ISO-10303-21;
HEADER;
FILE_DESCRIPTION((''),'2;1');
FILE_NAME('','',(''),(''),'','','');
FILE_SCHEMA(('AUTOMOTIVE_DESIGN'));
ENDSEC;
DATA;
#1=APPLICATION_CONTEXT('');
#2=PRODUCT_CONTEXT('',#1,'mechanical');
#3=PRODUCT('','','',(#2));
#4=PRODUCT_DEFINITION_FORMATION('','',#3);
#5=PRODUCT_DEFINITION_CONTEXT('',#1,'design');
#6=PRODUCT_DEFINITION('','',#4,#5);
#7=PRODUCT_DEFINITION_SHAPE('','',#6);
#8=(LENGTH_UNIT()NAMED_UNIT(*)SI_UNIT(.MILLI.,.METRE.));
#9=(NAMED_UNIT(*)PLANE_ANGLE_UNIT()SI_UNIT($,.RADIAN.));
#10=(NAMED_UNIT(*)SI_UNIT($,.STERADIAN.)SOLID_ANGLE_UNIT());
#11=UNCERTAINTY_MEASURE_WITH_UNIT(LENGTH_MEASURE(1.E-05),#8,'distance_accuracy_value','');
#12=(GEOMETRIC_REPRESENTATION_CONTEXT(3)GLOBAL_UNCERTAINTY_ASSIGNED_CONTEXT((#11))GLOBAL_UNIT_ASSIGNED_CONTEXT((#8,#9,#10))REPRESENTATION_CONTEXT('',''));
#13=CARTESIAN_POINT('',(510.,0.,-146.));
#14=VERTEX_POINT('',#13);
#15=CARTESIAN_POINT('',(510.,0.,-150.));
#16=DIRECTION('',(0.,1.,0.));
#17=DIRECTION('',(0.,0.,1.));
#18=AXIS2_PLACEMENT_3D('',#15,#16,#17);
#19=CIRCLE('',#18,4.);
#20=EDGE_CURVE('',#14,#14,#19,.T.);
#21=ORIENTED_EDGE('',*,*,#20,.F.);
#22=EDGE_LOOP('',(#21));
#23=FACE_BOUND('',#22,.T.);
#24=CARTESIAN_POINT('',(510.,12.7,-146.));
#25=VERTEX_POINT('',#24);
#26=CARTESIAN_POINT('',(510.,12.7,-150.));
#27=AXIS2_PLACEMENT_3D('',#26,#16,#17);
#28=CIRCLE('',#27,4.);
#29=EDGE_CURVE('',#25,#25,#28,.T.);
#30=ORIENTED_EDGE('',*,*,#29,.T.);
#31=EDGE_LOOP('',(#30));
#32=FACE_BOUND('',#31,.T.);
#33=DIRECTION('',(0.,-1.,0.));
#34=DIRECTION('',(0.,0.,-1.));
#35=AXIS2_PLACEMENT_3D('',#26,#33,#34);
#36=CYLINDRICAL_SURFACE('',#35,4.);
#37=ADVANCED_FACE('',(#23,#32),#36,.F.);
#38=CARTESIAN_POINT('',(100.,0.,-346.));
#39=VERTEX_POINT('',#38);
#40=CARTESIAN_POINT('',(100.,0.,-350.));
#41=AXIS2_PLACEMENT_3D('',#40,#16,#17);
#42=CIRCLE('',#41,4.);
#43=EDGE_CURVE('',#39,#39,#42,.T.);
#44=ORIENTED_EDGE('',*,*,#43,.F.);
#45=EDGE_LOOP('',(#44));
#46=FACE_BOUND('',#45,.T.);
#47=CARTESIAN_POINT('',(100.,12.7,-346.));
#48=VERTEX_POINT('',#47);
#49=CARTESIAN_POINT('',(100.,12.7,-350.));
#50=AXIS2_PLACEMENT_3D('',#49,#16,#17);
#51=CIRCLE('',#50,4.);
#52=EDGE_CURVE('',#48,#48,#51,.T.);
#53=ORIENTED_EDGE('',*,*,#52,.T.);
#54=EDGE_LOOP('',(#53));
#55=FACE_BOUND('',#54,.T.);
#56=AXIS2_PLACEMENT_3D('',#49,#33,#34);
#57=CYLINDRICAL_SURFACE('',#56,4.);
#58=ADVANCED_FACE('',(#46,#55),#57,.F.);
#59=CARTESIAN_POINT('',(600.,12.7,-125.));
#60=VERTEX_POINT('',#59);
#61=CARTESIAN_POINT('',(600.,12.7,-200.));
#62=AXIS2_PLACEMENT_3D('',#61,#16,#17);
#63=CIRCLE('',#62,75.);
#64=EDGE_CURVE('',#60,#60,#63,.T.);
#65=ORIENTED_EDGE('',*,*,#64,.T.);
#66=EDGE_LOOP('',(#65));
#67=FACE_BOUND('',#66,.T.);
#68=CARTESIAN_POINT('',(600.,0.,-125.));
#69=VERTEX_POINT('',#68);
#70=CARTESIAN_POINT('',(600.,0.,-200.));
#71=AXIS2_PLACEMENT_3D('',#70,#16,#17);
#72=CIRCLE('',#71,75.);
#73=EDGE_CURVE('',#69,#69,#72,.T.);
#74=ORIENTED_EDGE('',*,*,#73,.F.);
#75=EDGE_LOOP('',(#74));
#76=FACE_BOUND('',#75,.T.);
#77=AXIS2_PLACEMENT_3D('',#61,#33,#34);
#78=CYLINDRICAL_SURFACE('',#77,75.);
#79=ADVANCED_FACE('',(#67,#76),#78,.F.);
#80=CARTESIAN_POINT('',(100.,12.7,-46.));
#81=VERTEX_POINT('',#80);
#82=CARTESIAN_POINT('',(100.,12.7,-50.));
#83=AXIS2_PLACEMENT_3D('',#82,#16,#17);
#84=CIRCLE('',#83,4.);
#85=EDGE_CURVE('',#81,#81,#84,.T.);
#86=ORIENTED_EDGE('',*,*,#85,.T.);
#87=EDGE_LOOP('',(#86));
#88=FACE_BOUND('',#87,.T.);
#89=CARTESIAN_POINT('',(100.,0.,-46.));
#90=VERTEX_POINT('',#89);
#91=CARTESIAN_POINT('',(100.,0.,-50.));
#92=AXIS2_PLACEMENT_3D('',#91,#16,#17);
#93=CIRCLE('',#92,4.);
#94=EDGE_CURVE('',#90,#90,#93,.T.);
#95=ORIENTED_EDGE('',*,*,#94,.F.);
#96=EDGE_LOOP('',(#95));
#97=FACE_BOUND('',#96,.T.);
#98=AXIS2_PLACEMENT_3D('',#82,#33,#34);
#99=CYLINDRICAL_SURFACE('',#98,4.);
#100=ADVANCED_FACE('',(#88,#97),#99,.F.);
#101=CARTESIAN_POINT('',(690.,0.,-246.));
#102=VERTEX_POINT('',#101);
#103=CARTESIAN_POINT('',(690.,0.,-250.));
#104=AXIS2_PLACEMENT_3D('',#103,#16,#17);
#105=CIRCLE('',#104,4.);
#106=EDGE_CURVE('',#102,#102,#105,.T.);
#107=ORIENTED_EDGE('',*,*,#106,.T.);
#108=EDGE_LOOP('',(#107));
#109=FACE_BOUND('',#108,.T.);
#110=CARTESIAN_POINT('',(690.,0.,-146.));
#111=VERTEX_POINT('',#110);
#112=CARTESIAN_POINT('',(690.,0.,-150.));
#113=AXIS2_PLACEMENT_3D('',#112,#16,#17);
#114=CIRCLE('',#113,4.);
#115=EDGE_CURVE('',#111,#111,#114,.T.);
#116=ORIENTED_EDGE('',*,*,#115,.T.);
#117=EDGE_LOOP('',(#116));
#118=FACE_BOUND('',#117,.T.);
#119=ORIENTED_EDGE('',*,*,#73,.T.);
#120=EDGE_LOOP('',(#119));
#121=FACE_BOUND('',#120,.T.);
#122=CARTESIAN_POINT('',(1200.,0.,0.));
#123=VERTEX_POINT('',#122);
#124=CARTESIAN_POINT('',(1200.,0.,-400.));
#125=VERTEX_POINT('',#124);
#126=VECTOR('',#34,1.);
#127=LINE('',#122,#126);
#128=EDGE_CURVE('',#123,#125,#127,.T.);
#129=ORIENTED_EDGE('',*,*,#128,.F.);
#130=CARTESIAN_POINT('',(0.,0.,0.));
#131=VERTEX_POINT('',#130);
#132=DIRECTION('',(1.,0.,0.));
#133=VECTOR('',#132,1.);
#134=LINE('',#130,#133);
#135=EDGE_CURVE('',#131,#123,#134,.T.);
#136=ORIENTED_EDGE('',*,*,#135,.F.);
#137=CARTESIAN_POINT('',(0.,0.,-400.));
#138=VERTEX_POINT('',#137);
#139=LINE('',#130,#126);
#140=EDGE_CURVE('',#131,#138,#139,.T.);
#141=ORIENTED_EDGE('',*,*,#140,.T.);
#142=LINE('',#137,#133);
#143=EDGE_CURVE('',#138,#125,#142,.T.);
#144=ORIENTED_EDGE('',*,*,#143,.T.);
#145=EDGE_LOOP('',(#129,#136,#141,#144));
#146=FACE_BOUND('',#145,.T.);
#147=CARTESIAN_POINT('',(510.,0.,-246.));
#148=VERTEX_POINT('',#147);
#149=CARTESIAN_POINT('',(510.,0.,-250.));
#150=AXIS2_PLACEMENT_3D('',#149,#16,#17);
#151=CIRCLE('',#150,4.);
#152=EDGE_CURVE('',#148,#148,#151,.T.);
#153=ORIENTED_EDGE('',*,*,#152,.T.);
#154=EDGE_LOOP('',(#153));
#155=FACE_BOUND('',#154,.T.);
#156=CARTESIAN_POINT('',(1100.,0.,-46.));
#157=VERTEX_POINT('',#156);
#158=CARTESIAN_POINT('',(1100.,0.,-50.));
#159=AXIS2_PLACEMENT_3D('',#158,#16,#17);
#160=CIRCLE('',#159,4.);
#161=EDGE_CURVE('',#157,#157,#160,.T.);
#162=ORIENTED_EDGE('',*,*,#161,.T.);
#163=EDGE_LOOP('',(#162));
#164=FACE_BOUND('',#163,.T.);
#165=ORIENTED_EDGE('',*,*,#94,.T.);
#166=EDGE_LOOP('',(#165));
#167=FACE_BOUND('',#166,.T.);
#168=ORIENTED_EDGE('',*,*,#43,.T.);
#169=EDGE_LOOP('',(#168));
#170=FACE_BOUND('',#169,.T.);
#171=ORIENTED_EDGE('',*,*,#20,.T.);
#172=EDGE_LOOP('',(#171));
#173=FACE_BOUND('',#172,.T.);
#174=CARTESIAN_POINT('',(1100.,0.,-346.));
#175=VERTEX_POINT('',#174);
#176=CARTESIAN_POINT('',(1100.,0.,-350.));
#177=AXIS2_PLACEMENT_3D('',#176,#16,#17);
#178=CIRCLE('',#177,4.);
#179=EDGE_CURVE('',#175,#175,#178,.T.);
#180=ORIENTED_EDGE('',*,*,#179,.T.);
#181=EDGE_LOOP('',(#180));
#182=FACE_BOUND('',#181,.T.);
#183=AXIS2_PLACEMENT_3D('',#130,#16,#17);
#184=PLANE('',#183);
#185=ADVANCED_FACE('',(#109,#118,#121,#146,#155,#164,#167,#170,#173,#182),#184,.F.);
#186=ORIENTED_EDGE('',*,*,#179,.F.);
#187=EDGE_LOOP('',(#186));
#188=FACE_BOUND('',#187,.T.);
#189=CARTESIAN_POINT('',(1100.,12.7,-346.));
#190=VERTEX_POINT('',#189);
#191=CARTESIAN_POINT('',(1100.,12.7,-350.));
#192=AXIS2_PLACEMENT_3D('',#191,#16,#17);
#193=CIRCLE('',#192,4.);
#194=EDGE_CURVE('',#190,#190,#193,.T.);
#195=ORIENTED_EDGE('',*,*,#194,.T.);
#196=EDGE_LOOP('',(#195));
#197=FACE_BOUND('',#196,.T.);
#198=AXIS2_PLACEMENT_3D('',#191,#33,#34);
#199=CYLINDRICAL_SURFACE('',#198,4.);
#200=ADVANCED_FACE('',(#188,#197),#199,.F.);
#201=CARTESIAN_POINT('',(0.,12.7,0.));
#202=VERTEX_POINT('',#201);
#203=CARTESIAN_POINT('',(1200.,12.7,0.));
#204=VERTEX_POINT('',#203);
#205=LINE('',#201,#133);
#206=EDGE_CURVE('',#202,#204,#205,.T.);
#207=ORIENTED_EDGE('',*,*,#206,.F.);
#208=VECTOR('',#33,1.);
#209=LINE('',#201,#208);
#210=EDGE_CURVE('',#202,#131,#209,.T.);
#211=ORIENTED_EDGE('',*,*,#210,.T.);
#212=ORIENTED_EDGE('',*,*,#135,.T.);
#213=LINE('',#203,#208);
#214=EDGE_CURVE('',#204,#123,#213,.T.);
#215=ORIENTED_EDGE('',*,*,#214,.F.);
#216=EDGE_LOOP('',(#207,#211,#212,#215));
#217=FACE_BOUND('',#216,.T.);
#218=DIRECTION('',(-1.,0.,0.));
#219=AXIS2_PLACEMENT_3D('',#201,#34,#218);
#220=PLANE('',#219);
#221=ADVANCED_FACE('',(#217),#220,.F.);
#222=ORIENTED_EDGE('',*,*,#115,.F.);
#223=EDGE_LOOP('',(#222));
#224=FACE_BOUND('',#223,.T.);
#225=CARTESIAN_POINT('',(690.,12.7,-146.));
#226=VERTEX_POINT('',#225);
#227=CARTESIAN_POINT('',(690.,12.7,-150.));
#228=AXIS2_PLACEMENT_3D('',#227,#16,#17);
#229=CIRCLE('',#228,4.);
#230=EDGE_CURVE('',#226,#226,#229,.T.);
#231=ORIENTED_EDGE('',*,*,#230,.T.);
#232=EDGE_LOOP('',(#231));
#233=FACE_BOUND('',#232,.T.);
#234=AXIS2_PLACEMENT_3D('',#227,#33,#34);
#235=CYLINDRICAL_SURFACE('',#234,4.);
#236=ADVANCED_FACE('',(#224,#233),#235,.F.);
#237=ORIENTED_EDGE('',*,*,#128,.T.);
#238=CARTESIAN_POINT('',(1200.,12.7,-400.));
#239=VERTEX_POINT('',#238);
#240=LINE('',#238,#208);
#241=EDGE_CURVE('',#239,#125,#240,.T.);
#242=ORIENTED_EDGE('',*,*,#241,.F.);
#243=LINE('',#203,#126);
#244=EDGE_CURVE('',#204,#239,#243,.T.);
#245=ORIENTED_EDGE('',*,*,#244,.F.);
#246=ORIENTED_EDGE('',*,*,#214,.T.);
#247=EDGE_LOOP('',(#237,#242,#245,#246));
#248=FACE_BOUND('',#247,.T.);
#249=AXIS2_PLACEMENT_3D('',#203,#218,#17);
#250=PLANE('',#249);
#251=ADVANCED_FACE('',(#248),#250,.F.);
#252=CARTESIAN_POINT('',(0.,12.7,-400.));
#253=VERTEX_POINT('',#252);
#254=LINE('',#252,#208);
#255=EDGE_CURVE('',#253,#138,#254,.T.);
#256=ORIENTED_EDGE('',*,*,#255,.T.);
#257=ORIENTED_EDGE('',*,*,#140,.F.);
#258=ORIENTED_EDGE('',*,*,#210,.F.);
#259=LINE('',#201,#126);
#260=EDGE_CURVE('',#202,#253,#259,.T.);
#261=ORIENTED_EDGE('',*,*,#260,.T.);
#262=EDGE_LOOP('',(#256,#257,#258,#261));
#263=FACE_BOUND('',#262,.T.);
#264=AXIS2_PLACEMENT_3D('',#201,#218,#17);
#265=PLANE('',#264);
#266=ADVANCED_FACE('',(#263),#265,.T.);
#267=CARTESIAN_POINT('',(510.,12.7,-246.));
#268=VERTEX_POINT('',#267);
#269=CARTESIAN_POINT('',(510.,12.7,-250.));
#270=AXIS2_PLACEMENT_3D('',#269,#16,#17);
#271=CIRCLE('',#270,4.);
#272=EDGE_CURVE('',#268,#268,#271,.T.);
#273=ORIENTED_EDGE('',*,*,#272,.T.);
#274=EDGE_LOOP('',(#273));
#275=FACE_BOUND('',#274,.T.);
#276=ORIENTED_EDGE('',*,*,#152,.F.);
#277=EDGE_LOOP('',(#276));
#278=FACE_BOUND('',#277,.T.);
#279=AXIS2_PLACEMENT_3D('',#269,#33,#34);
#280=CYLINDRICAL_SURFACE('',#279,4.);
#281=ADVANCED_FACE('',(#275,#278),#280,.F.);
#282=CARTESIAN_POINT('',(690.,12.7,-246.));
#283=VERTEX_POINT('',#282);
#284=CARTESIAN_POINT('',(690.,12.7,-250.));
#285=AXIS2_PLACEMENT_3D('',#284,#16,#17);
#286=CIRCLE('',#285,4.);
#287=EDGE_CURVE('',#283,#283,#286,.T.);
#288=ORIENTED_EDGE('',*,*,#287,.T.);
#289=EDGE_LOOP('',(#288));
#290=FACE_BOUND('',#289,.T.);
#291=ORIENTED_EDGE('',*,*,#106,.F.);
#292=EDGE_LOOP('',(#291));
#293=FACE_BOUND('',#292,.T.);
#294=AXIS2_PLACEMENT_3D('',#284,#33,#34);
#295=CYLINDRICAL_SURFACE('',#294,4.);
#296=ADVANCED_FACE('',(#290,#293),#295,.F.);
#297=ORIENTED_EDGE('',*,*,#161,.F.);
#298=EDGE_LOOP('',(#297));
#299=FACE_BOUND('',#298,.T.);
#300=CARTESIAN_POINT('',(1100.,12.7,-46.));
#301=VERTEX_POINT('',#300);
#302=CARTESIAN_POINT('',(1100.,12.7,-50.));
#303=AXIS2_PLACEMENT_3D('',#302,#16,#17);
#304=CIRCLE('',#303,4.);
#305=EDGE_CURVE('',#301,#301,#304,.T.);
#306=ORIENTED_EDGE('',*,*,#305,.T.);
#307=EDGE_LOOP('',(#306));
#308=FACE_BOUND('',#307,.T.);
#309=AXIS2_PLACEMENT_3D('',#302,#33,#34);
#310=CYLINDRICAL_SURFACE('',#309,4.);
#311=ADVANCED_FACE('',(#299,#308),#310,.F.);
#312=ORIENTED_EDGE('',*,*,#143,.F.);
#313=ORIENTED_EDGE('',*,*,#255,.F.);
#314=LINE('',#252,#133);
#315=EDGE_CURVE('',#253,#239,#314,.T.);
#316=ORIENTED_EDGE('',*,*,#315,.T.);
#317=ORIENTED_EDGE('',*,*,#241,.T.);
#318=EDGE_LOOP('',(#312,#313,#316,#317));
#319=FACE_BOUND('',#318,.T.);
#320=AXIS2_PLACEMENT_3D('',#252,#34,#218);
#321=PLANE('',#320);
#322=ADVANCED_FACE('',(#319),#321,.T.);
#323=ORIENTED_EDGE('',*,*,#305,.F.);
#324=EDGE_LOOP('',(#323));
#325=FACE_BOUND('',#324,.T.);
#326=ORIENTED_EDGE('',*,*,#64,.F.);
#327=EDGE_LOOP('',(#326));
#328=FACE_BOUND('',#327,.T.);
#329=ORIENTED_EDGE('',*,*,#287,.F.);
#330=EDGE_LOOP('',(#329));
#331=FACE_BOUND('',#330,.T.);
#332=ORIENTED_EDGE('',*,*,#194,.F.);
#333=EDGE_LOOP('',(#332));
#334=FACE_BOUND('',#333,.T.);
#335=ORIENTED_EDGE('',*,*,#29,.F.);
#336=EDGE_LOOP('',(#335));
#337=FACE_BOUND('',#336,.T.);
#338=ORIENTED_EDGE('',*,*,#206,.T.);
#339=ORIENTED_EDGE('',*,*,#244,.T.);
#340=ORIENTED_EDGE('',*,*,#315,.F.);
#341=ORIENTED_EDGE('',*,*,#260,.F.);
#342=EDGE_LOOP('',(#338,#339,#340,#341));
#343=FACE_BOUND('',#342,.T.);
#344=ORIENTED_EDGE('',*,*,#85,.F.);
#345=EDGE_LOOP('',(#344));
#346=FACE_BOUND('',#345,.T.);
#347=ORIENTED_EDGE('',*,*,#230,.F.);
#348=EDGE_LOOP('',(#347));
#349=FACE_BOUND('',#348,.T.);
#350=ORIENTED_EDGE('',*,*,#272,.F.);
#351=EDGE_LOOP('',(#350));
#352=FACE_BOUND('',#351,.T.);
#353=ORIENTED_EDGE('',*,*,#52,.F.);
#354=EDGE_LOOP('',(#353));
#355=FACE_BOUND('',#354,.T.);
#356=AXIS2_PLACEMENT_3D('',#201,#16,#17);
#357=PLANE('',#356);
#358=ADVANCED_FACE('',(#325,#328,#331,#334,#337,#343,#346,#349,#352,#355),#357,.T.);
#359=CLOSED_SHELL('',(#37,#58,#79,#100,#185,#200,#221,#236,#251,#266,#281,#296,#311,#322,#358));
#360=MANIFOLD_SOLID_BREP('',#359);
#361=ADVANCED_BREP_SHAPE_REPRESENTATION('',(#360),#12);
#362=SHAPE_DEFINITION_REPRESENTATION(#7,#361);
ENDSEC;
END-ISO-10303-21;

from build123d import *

# Parameters (mm, degrees)
SKETCH1_W           = 1200
SKETCH1_H           = 400
SKETCH1_R           = 4
SKETCH1_R_2         = 75
BOSS_EXTRUDE1_DEPTH = 12.7


with BuildPart() as part:
    # Sketch1 → Boss-Extrude1 (new body)
    with BuildSketch(Plane(origin=(0, 0, 0), x_dir=(1, 0, 0), z_dir=(0, 1, 0))):
        with Locations((600, 200)):
            Rectangle(SKETCH1_W, SKETCH1_H)
        with Locations(Location((510, 250, 0), (0, 0, 270))):
            Circle(SKETCH1_R, mode=Mode.SUBTRACT)
        with Locations(Location((690, 250, 0), (0, 0, 270))):
            Circle(SKETCH1_R, mode=Mode.SUBTRACT)
        with Locations(Location((510, 150, 0), (0, 0, 270))):
            Circle(SKETCH1_R, mode=Mode.SUBTRACT)
        with Locations(Location((690, 150, 0), (0, 0, 270))):
            Circle(SKETCH1_R, mode=Mode.SUBTRACT)
        with Locations(Location((600, 200, 0), (0, 0, 270))):
            Circle(SKETCH1_R_2, mode=Mode.SUBTRACT)
        with Locations(Location((100, 350, 0), (0, 0, 270))):
            Circle(SKETCH1_R, mode=Mode.SUBTRACT)
        with Locations(Location((100, 50, 0), (0, 0, 270))):
            Circle(SKETCH1_R, mode=Mode.SUBTRACT)
        with Locations(Location((1100, 350, 0), (0, 0, 270))):
            Circle(SKETCH1_R, mode=Mode.SUBTRACT)
        with Locations(Location((1100, 50, 0), (0, 0, 270))):
            Circle(SKETCH1_R, mode=Mode.SUBTRACT)
    extrude(amount=BOSS_EXTRUDE1_DEPTH)


solid = part.part
